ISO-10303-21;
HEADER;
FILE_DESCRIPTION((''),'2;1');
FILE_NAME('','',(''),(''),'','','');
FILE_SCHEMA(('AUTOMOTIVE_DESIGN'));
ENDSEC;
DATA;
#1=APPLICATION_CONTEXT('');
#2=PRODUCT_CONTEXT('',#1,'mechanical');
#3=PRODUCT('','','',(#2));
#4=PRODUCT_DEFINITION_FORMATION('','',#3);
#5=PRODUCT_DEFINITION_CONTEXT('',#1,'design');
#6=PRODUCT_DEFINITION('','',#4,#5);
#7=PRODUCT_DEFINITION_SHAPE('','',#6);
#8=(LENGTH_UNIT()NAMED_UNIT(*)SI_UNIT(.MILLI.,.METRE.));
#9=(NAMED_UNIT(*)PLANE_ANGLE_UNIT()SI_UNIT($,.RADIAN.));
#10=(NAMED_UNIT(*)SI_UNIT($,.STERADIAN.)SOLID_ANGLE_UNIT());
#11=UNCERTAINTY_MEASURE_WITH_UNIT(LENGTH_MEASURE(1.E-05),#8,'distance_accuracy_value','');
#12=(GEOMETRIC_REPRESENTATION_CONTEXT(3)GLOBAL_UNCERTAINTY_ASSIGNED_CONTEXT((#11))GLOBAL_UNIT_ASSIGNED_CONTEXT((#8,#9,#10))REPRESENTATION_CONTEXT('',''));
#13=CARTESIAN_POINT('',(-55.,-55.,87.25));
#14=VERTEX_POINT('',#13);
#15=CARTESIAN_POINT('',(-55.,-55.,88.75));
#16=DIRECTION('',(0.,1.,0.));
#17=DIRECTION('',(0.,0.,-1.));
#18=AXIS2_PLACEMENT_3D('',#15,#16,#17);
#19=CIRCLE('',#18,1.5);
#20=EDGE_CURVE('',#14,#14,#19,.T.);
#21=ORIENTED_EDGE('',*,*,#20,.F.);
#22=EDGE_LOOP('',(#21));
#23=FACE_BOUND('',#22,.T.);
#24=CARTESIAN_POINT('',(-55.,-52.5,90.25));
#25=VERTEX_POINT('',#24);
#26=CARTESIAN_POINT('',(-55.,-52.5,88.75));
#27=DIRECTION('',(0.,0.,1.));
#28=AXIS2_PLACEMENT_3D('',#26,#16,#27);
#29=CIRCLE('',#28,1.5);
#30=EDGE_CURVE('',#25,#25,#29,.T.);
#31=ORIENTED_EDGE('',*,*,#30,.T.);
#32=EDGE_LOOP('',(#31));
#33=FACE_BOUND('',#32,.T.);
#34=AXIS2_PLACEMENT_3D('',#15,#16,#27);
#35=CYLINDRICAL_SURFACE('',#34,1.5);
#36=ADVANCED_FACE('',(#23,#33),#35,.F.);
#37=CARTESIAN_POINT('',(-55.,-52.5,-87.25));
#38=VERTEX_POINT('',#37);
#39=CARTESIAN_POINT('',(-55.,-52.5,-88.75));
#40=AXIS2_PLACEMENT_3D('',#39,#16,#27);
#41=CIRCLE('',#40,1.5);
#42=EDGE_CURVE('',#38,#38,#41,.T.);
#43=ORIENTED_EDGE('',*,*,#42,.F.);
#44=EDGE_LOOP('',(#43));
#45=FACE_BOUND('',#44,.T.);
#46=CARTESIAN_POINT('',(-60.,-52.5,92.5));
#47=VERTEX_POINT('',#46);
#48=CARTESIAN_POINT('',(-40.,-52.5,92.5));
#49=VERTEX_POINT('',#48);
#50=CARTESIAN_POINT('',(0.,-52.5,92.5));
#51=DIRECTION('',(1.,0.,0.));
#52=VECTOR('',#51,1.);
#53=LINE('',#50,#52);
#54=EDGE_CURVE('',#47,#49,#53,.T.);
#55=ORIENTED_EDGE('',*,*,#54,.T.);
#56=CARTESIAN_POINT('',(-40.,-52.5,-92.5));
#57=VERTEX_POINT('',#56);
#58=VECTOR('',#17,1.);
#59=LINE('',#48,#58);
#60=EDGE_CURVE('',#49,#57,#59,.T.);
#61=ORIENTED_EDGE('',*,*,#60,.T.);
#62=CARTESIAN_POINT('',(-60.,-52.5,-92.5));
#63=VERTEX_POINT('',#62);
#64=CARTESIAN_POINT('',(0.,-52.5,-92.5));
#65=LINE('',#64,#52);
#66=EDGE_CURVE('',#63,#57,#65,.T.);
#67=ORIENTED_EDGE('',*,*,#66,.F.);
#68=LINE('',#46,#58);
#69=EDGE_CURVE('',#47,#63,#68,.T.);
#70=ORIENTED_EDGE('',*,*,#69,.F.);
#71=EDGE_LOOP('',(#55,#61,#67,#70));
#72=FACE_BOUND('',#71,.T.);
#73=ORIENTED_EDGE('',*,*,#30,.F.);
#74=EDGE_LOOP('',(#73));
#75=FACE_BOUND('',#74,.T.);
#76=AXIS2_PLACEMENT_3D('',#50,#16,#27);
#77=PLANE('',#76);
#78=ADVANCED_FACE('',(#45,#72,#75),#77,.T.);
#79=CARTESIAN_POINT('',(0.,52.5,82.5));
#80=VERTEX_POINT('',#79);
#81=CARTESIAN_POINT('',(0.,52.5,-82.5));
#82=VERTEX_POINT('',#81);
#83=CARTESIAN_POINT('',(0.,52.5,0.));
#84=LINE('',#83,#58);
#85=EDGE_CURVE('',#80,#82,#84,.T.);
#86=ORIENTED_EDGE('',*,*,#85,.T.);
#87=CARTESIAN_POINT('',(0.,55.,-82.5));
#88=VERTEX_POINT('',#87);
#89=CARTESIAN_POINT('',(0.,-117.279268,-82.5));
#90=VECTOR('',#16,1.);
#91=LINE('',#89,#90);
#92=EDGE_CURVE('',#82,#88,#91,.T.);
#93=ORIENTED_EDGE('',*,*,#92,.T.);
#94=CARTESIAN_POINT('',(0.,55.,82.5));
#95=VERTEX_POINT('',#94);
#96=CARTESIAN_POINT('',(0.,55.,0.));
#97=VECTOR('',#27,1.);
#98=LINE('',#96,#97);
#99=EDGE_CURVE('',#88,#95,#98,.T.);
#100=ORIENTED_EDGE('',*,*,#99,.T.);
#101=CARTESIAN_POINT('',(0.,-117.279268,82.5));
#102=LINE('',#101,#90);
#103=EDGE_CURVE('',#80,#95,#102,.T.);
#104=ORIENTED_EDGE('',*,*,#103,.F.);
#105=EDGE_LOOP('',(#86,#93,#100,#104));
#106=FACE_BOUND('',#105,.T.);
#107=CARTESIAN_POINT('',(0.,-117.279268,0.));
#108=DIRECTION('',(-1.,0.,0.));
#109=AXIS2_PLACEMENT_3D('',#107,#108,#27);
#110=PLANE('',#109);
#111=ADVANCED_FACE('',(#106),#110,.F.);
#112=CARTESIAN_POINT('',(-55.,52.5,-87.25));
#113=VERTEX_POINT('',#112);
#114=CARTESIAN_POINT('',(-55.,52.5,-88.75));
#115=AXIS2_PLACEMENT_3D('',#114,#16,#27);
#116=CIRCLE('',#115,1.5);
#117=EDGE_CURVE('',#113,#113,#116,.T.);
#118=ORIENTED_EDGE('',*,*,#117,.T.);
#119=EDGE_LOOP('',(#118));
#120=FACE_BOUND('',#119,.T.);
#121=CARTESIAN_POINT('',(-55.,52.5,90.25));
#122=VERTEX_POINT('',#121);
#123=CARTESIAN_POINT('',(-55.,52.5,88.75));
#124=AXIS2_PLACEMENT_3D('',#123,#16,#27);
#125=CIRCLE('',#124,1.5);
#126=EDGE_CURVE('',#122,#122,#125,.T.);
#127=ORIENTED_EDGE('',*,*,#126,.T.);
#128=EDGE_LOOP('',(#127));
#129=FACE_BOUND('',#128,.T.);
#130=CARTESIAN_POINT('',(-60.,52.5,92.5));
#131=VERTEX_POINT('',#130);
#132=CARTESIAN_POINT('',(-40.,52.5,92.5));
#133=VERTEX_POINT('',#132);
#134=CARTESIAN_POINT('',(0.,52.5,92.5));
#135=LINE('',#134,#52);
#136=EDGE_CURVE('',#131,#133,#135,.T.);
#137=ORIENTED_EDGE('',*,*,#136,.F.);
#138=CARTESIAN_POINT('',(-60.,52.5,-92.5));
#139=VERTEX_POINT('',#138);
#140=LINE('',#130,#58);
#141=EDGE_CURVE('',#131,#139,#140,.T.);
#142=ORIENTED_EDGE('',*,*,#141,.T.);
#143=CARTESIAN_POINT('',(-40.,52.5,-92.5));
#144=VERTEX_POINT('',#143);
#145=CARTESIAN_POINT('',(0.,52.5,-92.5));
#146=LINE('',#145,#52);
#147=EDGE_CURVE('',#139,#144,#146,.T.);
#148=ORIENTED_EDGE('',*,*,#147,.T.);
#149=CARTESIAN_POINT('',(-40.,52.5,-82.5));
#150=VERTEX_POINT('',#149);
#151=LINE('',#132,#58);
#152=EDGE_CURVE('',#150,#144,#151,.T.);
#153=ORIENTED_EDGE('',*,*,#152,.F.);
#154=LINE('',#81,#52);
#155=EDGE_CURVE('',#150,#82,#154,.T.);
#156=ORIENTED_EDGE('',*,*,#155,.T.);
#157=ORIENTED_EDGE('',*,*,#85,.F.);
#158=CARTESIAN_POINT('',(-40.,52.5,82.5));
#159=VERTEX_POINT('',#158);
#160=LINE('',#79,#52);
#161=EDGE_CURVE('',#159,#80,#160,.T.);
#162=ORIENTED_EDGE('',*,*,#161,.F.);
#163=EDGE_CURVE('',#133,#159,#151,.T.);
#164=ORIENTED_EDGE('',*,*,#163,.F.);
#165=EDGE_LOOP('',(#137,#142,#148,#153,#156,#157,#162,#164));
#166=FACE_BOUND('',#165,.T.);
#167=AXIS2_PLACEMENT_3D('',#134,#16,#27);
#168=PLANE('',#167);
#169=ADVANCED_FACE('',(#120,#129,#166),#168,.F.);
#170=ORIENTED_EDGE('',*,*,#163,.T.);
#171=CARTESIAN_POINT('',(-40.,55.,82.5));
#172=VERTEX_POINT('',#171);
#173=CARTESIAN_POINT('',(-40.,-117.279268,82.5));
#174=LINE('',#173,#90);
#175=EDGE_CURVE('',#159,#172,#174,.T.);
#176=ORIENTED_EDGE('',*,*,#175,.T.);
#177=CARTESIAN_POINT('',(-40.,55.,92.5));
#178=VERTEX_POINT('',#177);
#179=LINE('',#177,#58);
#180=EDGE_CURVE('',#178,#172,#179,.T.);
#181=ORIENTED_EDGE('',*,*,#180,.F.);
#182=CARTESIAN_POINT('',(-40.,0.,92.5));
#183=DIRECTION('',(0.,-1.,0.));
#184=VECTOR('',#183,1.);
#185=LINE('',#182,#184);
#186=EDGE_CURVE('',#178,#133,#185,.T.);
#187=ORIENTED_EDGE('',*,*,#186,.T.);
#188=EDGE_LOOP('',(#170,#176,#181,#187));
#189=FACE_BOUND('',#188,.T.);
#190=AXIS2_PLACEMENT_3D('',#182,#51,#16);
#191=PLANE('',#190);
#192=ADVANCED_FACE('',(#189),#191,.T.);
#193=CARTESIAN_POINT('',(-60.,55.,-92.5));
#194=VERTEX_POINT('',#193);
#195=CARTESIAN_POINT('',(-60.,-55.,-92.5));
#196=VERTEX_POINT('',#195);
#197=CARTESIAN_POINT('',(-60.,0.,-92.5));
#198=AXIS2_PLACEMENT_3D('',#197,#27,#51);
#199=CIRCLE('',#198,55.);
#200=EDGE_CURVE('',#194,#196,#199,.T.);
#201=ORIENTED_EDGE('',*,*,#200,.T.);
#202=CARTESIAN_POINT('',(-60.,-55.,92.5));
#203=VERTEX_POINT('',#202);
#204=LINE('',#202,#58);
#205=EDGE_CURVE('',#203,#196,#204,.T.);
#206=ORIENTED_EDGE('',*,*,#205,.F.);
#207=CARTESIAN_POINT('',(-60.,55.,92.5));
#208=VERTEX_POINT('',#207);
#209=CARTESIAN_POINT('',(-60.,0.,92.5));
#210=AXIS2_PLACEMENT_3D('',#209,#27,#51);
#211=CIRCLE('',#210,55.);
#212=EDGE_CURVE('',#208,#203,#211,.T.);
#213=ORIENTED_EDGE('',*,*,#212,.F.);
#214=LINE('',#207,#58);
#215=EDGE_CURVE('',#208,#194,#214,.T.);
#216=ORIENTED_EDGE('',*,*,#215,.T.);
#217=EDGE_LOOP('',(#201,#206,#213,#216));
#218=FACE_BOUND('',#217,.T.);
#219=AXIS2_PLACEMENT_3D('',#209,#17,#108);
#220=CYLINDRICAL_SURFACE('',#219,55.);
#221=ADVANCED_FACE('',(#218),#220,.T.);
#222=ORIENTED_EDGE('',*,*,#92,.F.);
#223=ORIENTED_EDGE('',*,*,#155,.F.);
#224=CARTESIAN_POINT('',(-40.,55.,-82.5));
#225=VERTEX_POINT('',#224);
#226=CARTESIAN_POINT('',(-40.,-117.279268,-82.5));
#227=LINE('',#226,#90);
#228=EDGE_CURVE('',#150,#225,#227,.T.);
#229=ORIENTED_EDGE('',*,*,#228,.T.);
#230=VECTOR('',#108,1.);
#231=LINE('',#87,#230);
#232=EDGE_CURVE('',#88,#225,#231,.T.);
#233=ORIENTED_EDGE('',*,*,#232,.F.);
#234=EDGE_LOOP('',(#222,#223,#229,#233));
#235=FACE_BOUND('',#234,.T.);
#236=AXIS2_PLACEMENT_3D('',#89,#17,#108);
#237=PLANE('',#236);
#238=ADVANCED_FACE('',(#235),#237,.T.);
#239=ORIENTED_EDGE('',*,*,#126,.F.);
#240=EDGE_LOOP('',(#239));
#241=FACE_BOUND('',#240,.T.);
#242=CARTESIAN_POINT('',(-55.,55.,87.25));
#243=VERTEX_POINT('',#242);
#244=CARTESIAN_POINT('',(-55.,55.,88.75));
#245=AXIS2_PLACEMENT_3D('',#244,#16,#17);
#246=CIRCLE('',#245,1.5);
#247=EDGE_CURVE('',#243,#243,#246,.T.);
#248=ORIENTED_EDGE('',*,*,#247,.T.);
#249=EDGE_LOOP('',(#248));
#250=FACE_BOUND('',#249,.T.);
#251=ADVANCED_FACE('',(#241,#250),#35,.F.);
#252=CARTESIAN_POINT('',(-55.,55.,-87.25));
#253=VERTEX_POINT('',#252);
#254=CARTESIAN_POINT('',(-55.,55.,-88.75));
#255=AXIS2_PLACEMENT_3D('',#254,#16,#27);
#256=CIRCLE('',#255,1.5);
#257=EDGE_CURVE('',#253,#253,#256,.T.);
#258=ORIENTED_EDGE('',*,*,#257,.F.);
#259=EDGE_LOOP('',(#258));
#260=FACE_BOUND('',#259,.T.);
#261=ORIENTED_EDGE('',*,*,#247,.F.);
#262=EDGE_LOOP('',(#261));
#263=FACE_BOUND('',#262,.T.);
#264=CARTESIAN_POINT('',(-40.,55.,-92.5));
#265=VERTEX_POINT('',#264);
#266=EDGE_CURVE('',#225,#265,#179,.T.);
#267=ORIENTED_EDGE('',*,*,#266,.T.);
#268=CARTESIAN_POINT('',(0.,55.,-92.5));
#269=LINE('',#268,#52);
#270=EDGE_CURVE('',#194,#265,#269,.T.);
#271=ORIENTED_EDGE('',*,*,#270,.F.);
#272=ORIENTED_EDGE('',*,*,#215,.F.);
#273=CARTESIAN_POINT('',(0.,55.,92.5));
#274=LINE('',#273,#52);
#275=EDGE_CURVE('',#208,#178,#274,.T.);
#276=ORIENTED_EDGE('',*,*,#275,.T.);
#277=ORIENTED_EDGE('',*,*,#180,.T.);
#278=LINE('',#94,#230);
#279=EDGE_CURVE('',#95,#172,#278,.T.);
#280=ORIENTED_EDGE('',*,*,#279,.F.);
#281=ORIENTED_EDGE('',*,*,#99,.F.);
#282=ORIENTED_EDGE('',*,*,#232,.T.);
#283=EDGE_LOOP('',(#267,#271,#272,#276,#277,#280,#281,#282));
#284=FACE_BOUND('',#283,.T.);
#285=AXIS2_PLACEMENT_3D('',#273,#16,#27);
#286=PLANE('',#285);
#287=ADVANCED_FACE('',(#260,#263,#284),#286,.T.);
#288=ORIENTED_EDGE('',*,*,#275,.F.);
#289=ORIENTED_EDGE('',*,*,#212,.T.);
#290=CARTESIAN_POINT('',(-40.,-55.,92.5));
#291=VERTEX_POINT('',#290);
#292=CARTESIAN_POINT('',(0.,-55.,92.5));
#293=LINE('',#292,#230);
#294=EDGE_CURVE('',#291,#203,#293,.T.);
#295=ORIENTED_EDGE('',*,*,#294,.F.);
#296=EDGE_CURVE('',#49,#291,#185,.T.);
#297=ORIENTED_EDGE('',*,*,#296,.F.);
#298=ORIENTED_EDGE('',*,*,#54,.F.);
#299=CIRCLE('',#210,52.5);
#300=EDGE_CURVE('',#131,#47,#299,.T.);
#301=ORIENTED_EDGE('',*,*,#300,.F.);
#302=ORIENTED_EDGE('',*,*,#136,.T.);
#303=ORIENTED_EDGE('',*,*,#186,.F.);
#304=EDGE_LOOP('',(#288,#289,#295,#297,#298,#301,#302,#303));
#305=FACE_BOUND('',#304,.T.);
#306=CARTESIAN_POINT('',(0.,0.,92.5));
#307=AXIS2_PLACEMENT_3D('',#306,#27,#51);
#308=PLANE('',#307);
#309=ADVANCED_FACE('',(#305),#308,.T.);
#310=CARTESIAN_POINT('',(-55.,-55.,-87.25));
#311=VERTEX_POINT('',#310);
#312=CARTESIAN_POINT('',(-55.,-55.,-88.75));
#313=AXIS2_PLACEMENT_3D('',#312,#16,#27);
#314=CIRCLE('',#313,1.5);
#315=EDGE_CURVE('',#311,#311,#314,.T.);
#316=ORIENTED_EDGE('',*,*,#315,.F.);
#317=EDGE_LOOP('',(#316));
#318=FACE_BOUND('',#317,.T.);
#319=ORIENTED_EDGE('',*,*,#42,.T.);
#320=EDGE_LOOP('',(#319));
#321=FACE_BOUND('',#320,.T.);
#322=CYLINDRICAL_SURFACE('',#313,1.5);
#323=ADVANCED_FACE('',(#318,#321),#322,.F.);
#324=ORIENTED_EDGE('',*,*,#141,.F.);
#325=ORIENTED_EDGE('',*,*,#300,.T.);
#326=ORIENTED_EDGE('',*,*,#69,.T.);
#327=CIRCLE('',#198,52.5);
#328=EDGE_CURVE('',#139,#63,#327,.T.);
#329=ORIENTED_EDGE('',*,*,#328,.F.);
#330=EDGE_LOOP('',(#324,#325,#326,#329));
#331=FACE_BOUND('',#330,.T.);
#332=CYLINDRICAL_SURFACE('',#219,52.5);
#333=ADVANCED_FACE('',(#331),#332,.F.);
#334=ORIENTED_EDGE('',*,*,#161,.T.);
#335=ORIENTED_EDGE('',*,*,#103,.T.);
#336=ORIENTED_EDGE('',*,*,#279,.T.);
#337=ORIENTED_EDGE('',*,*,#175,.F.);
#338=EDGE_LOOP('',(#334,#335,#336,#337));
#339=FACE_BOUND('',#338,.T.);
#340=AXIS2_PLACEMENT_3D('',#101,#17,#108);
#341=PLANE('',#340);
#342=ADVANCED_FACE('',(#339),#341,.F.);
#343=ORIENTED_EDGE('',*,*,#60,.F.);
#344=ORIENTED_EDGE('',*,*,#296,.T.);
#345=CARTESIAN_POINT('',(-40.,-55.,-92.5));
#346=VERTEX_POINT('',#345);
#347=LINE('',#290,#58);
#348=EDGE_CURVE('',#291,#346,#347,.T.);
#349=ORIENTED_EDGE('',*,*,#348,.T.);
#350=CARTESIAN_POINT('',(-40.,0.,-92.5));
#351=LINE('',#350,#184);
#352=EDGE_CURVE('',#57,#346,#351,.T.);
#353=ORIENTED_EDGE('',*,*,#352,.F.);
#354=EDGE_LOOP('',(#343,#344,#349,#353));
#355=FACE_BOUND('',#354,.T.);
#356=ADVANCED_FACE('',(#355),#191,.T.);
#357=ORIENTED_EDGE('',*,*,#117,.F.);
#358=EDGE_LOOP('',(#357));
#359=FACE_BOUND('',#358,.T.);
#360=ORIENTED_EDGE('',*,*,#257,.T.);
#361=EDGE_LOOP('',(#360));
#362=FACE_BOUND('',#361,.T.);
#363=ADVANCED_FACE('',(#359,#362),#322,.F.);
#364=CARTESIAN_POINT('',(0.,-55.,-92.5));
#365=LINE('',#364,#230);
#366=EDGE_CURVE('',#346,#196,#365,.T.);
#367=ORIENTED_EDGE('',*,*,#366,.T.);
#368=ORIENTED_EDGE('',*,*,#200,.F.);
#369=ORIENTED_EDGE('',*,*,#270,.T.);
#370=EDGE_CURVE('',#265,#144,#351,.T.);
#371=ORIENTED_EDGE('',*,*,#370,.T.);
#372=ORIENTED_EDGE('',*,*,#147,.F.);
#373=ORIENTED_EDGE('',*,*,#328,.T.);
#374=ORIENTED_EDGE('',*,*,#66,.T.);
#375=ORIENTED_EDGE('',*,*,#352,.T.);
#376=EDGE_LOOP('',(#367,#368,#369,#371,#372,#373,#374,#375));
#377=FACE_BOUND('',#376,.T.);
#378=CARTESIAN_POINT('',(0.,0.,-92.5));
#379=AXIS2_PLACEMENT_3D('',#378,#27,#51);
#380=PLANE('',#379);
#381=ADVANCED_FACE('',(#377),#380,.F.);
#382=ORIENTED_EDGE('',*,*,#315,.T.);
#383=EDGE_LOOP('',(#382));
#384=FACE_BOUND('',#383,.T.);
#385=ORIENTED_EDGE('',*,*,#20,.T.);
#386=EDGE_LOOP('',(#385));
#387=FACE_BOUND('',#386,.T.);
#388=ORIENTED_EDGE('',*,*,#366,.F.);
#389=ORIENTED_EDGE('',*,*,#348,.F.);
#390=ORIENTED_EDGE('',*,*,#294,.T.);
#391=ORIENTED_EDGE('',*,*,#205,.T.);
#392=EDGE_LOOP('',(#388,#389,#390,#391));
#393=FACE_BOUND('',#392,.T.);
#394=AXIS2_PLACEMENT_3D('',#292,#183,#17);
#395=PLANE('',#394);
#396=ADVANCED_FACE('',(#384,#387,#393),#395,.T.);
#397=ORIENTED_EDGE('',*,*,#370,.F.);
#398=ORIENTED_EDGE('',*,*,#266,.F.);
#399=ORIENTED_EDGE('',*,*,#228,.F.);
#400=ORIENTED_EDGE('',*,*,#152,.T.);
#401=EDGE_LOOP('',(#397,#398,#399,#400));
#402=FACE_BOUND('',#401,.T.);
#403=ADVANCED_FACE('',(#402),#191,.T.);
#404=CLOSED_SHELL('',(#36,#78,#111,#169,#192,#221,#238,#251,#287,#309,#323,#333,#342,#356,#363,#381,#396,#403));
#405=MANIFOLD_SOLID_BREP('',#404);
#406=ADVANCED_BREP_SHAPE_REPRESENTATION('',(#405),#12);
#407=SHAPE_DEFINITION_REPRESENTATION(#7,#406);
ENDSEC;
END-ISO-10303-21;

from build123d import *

# Parameters (mm, degrees)
BOSS_EXTRUDE1_DEPTH     = 92.5
CUT_EXTRUDE2_DEPTH      = 158.5
CUT_EXTRUDE2_DEPTH_BACK = 158.5
SKETCH3_R               = 1.5
SKETCH4_W               = 40
SKETCH4_H               = 165
BOSS_EXTRUDE2_DEPTH     = 2.5


with BuildPart() as part:
    # Sketch1 → Boss-Extrude1 (new, symmetric)
    with BuildSketch(Plane.XY):
        with BuildLine():
            Line((-40, 55), (-60, 55))
            ThreePointArc((-60, 55), (-115, 0), (-60, -55))
            Line((-60, -55), (-40, -55))
            Line((-40, -55), (-40, -52.5))
            Line((-40, -52.5), (-60, -52.5))
            ThreePointArc((-60, -52.5), (-112.5, 0), (-60, 52.5))
            Line((-60, 52.5), (-40, 52.5))
            Line((-40, 52.5), (-40, 55))
        make_face()
    extrude(amount=BOSS_EXTRUDE1_DEPTH, both=True)

    # Sketch3 → Cut-Extrude2 (cut, two sides: drawn at the far end of the back side and taken through both)
    with BuildSketch(Plane(origin=(0, 0, 0), x_dir=(1, 0, 0), z_dir=(0, 1, 0)).offset(-CUT_EXTRUDE2_DEPTH_BACK)):
        with Locations(Location((-55, 88.75, 0), (0, 0, 270))):
            Circle(SKETCH3_R)
        with Locations((-33, 88.75)):
            Circle(SKETCH3_R)
        with Locations((-11, 88.75)):
            Circle(SKETCH3_R)
        with Locations((-11, -88.75)):
            Circle(SKETCH3_R)
        with Locations((-33, -88.75)):
            Circle(SKETCH3_R)
        with Locations(Location((-55, -88.75, 0), (0, 0, 270))):
            Circle(SKETCH3_R)
    extrude(amount=CUT_EXTRUDE2_DEPTH + CUT_EXTRUDE2_DEPTH_BACK, mode=Mode.SUBTRACT)

    # Sketch4 → Boss-Extrude2 (add)
    with BuildSketch(Plane(origin=(0, 55, 0), x_dir=(1, 0, 0), z_dir=(0, 1, 0))):
        with Locations((-20, 0)):
            Rectangle(SKETCH4_W, SKETCH4_H)
    extrude(amount=-BOSS_EXTRUDE2_DEPTH)


solid = part.part
